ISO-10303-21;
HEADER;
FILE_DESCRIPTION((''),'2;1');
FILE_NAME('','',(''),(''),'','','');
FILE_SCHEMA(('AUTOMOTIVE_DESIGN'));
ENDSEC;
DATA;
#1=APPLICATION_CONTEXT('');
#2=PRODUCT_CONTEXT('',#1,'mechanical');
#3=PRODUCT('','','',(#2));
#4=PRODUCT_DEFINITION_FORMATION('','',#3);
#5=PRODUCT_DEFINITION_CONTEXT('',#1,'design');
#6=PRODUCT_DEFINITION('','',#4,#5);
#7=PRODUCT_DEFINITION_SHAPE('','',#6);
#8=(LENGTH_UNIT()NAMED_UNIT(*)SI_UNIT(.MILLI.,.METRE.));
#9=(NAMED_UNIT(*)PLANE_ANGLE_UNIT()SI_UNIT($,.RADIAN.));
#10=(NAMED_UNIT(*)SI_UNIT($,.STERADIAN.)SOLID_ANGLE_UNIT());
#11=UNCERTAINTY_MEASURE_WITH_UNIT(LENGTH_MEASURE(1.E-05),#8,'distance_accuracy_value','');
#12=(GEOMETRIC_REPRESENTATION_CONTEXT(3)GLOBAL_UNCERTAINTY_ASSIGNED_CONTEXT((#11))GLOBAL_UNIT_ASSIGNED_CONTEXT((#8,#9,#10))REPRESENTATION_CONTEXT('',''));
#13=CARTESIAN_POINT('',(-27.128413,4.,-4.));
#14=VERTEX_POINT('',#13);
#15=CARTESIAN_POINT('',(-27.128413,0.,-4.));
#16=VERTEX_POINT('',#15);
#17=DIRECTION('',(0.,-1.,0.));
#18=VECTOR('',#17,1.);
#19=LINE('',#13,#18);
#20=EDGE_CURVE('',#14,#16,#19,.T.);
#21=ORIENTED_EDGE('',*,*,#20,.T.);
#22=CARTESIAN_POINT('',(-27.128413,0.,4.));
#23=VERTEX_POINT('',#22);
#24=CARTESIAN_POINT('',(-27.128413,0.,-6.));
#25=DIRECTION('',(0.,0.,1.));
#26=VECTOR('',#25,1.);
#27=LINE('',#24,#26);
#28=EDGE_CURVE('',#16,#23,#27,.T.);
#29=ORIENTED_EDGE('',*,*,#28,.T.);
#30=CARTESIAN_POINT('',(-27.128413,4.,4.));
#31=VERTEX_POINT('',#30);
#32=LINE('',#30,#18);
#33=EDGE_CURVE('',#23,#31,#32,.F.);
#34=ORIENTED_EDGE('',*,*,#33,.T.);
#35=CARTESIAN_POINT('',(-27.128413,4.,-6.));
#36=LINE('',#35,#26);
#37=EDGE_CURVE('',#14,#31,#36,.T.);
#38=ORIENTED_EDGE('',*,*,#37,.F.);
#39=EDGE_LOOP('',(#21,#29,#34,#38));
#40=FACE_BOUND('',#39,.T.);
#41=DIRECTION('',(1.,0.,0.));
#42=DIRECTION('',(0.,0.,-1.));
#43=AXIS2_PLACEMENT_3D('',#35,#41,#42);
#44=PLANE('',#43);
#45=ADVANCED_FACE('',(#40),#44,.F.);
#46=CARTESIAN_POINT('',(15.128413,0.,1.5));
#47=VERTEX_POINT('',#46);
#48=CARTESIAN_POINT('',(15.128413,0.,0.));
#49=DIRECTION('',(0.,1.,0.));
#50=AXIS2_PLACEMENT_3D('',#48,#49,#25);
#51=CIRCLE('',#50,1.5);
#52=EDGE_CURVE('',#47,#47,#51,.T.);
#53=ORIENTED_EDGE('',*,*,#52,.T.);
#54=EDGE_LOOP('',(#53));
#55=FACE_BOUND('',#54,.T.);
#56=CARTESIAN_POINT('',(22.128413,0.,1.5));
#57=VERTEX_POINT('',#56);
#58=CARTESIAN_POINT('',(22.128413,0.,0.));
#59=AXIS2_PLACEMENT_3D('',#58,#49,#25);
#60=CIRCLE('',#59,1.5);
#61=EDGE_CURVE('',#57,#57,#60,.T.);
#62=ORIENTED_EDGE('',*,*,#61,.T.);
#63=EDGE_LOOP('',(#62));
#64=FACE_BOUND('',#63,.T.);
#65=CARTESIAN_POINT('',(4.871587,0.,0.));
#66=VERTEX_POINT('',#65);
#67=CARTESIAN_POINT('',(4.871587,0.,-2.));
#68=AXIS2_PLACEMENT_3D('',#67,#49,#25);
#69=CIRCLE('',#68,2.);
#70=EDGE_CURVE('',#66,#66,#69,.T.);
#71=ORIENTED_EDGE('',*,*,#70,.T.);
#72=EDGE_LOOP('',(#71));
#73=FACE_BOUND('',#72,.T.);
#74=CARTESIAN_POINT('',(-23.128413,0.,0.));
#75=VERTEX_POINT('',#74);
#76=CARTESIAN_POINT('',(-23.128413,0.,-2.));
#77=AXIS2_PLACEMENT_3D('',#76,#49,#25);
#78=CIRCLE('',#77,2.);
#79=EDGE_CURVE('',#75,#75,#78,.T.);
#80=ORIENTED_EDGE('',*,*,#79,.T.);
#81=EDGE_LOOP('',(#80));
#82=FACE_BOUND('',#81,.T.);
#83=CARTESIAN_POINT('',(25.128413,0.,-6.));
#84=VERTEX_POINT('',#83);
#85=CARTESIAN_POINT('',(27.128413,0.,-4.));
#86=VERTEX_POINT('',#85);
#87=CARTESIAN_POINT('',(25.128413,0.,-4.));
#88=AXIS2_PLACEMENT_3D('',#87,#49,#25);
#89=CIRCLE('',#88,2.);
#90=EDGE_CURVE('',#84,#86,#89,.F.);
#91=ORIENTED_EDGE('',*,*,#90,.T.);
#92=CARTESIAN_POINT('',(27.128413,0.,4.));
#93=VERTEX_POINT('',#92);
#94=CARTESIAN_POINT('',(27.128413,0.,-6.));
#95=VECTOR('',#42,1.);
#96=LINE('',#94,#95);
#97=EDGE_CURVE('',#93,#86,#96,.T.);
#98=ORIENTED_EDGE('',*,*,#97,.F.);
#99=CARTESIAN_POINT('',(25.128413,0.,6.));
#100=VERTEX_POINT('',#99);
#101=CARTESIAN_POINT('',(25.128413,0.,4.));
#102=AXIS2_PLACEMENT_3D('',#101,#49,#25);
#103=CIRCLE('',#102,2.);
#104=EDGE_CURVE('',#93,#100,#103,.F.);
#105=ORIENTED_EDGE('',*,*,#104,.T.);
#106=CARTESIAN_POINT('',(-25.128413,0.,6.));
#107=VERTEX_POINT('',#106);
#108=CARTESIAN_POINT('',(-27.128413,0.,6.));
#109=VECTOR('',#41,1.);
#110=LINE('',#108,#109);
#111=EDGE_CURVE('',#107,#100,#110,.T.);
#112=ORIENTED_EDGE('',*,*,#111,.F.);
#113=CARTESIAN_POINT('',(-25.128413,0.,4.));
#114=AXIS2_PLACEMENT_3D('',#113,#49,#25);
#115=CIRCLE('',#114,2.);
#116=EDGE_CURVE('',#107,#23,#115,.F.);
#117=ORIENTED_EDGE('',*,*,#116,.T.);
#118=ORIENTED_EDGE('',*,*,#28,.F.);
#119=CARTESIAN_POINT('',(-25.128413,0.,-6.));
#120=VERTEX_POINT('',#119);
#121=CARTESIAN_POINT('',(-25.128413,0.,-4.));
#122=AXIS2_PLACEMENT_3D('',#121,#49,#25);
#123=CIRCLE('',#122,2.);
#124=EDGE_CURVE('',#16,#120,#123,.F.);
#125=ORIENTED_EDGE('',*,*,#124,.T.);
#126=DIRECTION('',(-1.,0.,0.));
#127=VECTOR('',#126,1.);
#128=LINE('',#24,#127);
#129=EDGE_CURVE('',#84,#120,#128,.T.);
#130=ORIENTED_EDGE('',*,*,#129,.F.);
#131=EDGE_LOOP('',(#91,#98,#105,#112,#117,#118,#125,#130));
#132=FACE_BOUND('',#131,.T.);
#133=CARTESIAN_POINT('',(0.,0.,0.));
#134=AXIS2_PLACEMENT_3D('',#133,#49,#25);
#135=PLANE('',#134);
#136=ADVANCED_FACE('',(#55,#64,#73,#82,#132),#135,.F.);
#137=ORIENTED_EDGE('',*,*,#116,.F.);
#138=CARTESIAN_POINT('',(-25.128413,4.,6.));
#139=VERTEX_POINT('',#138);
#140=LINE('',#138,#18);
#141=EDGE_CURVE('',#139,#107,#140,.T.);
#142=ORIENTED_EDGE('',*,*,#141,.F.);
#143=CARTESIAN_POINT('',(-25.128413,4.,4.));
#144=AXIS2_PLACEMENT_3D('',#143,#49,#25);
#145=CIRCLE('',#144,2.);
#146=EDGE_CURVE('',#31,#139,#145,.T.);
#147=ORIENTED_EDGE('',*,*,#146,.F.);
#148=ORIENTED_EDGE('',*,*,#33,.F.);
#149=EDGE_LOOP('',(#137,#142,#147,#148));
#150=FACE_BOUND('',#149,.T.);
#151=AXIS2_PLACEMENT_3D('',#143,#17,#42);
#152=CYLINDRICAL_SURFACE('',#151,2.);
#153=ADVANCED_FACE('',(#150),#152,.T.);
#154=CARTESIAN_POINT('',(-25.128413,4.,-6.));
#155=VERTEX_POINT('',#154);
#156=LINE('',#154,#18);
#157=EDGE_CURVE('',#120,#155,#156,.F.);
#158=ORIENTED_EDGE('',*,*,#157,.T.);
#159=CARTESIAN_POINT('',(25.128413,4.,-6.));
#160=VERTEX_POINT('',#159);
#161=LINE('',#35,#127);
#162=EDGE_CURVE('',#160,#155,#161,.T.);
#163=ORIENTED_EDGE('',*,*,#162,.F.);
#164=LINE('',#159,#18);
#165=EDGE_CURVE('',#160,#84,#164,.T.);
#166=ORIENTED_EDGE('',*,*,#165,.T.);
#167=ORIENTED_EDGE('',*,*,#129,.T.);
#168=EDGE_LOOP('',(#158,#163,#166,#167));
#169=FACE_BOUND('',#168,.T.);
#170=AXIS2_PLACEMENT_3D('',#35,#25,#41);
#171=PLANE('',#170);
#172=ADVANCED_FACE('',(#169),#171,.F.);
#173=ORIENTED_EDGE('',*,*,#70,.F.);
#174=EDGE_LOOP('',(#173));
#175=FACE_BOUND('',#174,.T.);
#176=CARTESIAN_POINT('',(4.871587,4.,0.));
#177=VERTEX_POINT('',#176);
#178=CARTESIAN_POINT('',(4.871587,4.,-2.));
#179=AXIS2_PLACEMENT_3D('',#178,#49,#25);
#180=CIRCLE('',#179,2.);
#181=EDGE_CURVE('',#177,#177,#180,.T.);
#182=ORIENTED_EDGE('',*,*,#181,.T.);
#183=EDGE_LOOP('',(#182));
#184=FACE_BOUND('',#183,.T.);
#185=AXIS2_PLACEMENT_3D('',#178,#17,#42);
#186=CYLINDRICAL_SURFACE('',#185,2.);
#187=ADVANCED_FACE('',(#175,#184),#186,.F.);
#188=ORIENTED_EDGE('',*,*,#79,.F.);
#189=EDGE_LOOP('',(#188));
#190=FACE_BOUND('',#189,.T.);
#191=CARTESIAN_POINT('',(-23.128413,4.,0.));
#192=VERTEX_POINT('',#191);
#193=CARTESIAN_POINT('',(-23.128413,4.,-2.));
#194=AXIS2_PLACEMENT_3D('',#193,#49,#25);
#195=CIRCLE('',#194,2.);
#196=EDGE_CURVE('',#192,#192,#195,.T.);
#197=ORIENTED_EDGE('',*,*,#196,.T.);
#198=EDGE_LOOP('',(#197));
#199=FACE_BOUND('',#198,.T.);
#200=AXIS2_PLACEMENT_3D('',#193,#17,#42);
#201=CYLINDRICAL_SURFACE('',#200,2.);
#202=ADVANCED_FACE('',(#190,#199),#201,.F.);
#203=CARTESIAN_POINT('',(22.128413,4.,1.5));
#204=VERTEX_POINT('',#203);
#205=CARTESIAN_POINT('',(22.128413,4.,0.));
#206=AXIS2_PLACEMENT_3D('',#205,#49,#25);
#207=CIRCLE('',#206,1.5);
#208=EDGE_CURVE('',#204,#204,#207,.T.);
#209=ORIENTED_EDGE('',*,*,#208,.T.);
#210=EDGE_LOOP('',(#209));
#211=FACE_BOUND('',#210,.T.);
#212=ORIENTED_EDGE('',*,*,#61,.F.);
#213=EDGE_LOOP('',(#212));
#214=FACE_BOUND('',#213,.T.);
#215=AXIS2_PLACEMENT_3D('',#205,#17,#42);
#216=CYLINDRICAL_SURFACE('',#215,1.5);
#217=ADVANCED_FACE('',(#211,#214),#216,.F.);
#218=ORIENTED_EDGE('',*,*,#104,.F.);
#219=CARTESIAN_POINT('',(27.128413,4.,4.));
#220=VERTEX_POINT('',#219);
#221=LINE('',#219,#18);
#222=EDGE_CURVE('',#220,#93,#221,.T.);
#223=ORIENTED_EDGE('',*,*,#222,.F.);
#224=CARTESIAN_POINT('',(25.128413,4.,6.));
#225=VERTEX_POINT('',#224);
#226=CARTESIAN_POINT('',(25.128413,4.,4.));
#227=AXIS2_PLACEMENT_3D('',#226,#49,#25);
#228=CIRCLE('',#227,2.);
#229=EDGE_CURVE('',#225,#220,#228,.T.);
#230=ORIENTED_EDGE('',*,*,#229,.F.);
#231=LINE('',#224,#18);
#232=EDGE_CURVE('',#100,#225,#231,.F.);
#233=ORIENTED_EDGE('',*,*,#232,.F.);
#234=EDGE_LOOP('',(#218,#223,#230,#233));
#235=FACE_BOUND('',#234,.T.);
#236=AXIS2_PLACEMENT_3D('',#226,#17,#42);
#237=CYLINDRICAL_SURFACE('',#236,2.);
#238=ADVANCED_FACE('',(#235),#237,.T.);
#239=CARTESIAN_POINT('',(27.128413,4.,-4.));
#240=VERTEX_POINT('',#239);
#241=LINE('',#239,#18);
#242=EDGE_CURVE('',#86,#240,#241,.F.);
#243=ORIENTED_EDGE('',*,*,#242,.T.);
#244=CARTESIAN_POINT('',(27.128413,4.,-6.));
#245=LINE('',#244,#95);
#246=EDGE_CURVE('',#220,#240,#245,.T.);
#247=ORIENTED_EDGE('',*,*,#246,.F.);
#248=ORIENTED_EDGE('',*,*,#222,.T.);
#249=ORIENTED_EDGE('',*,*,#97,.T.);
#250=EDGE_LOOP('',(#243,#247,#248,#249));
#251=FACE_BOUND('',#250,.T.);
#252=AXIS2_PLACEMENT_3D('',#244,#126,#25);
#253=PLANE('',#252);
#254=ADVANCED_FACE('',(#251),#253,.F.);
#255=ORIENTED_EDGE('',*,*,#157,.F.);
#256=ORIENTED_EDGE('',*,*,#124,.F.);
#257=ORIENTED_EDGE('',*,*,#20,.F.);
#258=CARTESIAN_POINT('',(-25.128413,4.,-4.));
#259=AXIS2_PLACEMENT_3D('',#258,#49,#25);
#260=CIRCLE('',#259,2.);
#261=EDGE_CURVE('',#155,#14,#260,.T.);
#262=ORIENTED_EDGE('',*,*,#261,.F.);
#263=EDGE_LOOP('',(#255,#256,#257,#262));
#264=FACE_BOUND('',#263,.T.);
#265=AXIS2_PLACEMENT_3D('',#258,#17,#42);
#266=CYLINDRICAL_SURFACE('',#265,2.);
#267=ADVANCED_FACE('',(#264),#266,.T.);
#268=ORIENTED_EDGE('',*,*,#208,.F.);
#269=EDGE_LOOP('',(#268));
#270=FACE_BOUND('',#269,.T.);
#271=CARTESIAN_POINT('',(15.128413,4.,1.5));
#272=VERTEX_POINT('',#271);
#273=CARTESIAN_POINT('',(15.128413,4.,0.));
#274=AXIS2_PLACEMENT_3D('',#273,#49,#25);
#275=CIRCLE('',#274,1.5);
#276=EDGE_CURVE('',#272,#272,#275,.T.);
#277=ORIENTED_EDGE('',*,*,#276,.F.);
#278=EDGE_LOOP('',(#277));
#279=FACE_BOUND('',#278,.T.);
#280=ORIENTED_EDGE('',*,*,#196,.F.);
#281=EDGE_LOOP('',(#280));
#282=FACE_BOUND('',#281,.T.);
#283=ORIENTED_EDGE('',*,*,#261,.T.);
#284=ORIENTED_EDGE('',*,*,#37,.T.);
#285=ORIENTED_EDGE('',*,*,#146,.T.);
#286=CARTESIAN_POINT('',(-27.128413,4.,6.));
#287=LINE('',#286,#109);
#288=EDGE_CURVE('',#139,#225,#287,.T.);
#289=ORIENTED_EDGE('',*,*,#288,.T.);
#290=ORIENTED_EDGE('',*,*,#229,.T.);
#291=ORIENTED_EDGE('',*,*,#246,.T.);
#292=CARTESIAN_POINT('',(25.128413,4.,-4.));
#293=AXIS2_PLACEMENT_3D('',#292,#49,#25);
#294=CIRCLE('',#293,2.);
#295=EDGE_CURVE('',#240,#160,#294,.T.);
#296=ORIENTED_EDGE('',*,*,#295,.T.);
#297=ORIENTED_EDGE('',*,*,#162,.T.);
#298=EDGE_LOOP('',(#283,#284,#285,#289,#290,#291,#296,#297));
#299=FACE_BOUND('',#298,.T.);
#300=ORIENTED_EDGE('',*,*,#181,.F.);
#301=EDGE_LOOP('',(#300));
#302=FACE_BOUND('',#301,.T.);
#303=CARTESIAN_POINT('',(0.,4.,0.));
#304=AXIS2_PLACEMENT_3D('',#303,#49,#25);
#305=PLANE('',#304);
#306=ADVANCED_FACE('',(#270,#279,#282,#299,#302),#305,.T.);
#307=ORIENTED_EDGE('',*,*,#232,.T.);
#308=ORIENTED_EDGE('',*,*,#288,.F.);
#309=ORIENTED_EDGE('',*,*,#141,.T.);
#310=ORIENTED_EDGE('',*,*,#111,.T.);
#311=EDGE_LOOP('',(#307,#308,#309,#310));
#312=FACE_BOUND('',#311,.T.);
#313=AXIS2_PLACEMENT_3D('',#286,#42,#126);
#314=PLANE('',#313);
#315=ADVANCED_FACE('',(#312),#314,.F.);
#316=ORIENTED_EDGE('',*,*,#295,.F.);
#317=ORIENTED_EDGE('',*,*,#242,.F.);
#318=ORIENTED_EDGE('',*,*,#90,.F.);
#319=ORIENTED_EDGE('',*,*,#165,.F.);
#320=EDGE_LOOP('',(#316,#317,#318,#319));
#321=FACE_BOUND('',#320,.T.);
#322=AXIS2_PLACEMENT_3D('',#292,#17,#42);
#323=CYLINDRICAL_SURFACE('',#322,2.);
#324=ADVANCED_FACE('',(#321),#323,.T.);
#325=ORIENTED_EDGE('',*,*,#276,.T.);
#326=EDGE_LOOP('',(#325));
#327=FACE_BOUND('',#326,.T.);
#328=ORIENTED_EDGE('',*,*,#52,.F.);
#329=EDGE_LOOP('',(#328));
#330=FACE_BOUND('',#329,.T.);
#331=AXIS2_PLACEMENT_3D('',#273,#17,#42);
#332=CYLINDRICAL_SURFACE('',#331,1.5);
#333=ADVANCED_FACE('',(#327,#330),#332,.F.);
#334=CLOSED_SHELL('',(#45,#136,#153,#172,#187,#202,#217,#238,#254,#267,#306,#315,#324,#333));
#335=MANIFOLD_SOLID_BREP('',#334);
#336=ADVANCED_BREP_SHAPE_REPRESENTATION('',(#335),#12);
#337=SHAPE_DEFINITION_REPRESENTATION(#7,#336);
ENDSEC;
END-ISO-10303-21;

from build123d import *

# Parameters (mm, degrees)
SKETCH1_W           = 54.256826994
SKETCH1_H           = 12
SKETCH1_R           = 1.5
SKETCH1_R_2         = 2
BOSS_EXTRUDE1_DEPTH = 4
FILLET1_R           = 2


with BuildPart() as part:
    # Sketch1 → Boss-Extrude1 (new body)
    with BuildSketch(Plane(origin=(0, 0, 0), x_dir=(1, 0, 0), z_dir=(0, 1, 0))):
        Rectangle(SKETCH1_W, SKETCH1_H)
        with Locations(Location((15.128413497, 0, 0), (0, 0, 270))):
            Circle(SKETCH1_R, mode=Mode.SUBTRACT)
        with Locations(Location((22.128413497, 0, 0), (0, 0, 270))):
            Circle(SKETCH1_R, mode=Mode.SUBTRACT)
        with Locations(Location((-23.128413497, 2, 0), (0, 0, 270))):
            Circle(SKETCH1_R_2, mode=Mode.SUBTRACT)
        with Locations(Location((4.871586503, 2, 0), (0, 0, 270))):
            Circle(SKETCH1_R_2, mode=Mode.SUBTRACT)
    extrude(amount=BOSS_EXTRUDE1_DEPTH)

    # Fillet1
    fillet1_edges = [part.edges().sort_by_distance(p)[0] for p in [
        (27.128413497, 2, 6),
        (-27.128413497, 2, 6),
        (-27.128413497, 2, -6),
        (27.128413497, 2, -6),
    ]]
    fillet(fillet1_edges, radius=FILLET1_R)


solid = part.part
